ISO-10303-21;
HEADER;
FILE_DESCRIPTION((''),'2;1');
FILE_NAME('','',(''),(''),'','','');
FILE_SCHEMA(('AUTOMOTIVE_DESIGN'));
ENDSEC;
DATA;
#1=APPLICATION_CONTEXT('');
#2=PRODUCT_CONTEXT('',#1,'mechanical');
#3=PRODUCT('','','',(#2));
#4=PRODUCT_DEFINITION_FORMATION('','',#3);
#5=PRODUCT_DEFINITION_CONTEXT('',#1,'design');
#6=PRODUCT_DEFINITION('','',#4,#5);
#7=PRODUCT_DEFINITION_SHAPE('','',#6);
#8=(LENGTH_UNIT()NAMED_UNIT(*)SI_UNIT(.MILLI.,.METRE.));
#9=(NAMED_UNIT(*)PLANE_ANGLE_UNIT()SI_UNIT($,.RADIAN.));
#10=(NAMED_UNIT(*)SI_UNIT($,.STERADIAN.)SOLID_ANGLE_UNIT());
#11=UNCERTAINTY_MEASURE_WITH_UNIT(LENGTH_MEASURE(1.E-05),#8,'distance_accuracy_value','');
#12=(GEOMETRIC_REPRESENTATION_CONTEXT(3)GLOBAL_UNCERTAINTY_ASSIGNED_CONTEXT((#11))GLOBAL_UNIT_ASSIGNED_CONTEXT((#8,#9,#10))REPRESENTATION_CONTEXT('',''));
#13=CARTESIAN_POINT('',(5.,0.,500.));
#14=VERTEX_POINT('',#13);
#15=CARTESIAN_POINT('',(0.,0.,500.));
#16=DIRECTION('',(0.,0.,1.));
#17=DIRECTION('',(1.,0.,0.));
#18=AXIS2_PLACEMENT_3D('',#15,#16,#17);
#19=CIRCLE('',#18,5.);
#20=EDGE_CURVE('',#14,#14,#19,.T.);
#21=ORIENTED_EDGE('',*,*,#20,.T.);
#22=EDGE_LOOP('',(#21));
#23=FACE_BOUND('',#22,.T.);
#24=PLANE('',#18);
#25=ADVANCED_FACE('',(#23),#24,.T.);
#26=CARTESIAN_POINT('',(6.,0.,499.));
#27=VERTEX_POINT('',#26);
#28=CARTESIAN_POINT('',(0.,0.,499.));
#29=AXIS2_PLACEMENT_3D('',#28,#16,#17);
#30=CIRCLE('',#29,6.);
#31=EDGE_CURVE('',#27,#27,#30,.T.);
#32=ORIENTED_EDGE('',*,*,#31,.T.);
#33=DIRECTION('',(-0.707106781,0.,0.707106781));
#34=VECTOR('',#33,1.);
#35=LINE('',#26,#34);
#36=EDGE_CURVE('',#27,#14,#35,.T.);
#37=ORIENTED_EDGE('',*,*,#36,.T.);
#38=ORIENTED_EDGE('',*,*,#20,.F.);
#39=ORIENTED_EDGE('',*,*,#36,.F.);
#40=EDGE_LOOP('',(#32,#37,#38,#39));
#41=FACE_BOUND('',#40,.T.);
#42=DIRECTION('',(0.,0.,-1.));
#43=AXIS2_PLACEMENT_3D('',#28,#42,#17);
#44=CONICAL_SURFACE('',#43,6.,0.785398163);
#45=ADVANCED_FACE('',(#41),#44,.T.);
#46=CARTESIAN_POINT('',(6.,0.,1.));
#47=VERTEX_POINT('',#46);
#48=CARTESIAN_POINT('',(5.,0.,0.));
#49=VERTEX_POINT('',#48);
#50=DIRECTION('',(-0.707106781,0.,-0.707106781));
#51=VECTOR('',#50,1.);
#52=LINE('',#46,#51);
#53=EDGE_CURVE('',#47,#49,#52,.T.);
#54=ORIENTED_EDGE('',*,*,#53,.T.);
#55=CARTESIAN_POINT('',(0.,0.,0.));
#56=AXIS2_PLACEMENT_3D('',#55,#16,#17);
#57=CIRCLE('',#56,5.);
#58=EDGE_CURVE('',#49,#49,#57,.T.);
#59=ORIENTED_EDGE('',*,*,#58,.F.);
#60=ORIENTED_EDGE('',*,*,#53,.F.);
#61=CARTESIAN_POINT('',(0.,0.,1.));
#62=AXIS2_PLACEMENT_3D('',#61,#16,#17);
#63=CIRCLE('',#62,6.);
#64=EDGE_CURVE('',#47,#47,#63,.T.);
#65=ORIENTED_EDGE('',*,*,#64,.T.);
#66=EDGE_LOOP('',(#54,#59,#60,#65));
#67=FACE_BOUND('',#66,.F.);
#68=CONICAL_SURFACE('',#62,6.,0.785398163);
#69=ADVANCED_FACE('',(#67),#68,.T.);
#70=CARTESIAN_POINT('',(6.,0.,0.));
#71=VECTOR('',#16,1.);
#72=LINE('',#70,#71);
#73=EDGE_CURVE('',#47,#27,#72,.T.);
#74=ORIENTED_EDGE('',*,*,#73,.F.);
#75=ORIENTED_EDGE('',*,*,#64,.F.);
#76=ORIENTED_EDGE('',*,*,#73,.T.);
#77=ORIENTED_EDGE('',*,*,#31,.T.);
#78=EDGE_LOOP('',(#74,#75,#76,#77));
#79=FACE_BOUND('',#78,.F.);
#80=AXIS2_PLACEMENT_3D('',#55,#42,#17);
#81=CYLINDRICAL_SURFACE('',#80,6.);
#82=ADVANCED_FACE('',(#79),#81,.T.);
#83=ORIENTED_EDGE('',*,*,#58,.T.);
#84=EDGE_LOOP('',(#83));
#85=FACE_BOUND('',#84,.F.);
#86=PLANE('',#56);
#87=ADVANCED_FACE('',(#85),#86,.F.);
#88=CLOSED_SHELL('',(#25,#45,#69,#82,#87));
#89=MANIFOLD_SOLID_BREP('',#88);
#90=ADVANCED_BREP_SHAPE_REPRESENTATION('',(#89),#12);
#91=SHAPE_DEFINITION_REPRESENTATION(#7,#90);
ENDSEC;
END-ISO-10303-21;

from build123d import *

# Parameters (mm, degrees)
SKETCH_R     = 6
PAD_DEPTH    = 500
CHAMFER_SIZE = 1


with BuildPart() as part:
    # Sketch → Pad (new body)
    with BuildSketch(Plane.XY):
        Circle(SKETCH_R)
    extrude(amount=PAD_DEPTH)

    # Chamfer
    chamfer_edges = [part.edges().sort_by_distance(p)[0] for p in [
        (-6, 0, 0),
        (-6, 0, 500),
    ]]
    chamfer(chamfer_edges, length=CHAMFER_SIZE)


solid = part.part
